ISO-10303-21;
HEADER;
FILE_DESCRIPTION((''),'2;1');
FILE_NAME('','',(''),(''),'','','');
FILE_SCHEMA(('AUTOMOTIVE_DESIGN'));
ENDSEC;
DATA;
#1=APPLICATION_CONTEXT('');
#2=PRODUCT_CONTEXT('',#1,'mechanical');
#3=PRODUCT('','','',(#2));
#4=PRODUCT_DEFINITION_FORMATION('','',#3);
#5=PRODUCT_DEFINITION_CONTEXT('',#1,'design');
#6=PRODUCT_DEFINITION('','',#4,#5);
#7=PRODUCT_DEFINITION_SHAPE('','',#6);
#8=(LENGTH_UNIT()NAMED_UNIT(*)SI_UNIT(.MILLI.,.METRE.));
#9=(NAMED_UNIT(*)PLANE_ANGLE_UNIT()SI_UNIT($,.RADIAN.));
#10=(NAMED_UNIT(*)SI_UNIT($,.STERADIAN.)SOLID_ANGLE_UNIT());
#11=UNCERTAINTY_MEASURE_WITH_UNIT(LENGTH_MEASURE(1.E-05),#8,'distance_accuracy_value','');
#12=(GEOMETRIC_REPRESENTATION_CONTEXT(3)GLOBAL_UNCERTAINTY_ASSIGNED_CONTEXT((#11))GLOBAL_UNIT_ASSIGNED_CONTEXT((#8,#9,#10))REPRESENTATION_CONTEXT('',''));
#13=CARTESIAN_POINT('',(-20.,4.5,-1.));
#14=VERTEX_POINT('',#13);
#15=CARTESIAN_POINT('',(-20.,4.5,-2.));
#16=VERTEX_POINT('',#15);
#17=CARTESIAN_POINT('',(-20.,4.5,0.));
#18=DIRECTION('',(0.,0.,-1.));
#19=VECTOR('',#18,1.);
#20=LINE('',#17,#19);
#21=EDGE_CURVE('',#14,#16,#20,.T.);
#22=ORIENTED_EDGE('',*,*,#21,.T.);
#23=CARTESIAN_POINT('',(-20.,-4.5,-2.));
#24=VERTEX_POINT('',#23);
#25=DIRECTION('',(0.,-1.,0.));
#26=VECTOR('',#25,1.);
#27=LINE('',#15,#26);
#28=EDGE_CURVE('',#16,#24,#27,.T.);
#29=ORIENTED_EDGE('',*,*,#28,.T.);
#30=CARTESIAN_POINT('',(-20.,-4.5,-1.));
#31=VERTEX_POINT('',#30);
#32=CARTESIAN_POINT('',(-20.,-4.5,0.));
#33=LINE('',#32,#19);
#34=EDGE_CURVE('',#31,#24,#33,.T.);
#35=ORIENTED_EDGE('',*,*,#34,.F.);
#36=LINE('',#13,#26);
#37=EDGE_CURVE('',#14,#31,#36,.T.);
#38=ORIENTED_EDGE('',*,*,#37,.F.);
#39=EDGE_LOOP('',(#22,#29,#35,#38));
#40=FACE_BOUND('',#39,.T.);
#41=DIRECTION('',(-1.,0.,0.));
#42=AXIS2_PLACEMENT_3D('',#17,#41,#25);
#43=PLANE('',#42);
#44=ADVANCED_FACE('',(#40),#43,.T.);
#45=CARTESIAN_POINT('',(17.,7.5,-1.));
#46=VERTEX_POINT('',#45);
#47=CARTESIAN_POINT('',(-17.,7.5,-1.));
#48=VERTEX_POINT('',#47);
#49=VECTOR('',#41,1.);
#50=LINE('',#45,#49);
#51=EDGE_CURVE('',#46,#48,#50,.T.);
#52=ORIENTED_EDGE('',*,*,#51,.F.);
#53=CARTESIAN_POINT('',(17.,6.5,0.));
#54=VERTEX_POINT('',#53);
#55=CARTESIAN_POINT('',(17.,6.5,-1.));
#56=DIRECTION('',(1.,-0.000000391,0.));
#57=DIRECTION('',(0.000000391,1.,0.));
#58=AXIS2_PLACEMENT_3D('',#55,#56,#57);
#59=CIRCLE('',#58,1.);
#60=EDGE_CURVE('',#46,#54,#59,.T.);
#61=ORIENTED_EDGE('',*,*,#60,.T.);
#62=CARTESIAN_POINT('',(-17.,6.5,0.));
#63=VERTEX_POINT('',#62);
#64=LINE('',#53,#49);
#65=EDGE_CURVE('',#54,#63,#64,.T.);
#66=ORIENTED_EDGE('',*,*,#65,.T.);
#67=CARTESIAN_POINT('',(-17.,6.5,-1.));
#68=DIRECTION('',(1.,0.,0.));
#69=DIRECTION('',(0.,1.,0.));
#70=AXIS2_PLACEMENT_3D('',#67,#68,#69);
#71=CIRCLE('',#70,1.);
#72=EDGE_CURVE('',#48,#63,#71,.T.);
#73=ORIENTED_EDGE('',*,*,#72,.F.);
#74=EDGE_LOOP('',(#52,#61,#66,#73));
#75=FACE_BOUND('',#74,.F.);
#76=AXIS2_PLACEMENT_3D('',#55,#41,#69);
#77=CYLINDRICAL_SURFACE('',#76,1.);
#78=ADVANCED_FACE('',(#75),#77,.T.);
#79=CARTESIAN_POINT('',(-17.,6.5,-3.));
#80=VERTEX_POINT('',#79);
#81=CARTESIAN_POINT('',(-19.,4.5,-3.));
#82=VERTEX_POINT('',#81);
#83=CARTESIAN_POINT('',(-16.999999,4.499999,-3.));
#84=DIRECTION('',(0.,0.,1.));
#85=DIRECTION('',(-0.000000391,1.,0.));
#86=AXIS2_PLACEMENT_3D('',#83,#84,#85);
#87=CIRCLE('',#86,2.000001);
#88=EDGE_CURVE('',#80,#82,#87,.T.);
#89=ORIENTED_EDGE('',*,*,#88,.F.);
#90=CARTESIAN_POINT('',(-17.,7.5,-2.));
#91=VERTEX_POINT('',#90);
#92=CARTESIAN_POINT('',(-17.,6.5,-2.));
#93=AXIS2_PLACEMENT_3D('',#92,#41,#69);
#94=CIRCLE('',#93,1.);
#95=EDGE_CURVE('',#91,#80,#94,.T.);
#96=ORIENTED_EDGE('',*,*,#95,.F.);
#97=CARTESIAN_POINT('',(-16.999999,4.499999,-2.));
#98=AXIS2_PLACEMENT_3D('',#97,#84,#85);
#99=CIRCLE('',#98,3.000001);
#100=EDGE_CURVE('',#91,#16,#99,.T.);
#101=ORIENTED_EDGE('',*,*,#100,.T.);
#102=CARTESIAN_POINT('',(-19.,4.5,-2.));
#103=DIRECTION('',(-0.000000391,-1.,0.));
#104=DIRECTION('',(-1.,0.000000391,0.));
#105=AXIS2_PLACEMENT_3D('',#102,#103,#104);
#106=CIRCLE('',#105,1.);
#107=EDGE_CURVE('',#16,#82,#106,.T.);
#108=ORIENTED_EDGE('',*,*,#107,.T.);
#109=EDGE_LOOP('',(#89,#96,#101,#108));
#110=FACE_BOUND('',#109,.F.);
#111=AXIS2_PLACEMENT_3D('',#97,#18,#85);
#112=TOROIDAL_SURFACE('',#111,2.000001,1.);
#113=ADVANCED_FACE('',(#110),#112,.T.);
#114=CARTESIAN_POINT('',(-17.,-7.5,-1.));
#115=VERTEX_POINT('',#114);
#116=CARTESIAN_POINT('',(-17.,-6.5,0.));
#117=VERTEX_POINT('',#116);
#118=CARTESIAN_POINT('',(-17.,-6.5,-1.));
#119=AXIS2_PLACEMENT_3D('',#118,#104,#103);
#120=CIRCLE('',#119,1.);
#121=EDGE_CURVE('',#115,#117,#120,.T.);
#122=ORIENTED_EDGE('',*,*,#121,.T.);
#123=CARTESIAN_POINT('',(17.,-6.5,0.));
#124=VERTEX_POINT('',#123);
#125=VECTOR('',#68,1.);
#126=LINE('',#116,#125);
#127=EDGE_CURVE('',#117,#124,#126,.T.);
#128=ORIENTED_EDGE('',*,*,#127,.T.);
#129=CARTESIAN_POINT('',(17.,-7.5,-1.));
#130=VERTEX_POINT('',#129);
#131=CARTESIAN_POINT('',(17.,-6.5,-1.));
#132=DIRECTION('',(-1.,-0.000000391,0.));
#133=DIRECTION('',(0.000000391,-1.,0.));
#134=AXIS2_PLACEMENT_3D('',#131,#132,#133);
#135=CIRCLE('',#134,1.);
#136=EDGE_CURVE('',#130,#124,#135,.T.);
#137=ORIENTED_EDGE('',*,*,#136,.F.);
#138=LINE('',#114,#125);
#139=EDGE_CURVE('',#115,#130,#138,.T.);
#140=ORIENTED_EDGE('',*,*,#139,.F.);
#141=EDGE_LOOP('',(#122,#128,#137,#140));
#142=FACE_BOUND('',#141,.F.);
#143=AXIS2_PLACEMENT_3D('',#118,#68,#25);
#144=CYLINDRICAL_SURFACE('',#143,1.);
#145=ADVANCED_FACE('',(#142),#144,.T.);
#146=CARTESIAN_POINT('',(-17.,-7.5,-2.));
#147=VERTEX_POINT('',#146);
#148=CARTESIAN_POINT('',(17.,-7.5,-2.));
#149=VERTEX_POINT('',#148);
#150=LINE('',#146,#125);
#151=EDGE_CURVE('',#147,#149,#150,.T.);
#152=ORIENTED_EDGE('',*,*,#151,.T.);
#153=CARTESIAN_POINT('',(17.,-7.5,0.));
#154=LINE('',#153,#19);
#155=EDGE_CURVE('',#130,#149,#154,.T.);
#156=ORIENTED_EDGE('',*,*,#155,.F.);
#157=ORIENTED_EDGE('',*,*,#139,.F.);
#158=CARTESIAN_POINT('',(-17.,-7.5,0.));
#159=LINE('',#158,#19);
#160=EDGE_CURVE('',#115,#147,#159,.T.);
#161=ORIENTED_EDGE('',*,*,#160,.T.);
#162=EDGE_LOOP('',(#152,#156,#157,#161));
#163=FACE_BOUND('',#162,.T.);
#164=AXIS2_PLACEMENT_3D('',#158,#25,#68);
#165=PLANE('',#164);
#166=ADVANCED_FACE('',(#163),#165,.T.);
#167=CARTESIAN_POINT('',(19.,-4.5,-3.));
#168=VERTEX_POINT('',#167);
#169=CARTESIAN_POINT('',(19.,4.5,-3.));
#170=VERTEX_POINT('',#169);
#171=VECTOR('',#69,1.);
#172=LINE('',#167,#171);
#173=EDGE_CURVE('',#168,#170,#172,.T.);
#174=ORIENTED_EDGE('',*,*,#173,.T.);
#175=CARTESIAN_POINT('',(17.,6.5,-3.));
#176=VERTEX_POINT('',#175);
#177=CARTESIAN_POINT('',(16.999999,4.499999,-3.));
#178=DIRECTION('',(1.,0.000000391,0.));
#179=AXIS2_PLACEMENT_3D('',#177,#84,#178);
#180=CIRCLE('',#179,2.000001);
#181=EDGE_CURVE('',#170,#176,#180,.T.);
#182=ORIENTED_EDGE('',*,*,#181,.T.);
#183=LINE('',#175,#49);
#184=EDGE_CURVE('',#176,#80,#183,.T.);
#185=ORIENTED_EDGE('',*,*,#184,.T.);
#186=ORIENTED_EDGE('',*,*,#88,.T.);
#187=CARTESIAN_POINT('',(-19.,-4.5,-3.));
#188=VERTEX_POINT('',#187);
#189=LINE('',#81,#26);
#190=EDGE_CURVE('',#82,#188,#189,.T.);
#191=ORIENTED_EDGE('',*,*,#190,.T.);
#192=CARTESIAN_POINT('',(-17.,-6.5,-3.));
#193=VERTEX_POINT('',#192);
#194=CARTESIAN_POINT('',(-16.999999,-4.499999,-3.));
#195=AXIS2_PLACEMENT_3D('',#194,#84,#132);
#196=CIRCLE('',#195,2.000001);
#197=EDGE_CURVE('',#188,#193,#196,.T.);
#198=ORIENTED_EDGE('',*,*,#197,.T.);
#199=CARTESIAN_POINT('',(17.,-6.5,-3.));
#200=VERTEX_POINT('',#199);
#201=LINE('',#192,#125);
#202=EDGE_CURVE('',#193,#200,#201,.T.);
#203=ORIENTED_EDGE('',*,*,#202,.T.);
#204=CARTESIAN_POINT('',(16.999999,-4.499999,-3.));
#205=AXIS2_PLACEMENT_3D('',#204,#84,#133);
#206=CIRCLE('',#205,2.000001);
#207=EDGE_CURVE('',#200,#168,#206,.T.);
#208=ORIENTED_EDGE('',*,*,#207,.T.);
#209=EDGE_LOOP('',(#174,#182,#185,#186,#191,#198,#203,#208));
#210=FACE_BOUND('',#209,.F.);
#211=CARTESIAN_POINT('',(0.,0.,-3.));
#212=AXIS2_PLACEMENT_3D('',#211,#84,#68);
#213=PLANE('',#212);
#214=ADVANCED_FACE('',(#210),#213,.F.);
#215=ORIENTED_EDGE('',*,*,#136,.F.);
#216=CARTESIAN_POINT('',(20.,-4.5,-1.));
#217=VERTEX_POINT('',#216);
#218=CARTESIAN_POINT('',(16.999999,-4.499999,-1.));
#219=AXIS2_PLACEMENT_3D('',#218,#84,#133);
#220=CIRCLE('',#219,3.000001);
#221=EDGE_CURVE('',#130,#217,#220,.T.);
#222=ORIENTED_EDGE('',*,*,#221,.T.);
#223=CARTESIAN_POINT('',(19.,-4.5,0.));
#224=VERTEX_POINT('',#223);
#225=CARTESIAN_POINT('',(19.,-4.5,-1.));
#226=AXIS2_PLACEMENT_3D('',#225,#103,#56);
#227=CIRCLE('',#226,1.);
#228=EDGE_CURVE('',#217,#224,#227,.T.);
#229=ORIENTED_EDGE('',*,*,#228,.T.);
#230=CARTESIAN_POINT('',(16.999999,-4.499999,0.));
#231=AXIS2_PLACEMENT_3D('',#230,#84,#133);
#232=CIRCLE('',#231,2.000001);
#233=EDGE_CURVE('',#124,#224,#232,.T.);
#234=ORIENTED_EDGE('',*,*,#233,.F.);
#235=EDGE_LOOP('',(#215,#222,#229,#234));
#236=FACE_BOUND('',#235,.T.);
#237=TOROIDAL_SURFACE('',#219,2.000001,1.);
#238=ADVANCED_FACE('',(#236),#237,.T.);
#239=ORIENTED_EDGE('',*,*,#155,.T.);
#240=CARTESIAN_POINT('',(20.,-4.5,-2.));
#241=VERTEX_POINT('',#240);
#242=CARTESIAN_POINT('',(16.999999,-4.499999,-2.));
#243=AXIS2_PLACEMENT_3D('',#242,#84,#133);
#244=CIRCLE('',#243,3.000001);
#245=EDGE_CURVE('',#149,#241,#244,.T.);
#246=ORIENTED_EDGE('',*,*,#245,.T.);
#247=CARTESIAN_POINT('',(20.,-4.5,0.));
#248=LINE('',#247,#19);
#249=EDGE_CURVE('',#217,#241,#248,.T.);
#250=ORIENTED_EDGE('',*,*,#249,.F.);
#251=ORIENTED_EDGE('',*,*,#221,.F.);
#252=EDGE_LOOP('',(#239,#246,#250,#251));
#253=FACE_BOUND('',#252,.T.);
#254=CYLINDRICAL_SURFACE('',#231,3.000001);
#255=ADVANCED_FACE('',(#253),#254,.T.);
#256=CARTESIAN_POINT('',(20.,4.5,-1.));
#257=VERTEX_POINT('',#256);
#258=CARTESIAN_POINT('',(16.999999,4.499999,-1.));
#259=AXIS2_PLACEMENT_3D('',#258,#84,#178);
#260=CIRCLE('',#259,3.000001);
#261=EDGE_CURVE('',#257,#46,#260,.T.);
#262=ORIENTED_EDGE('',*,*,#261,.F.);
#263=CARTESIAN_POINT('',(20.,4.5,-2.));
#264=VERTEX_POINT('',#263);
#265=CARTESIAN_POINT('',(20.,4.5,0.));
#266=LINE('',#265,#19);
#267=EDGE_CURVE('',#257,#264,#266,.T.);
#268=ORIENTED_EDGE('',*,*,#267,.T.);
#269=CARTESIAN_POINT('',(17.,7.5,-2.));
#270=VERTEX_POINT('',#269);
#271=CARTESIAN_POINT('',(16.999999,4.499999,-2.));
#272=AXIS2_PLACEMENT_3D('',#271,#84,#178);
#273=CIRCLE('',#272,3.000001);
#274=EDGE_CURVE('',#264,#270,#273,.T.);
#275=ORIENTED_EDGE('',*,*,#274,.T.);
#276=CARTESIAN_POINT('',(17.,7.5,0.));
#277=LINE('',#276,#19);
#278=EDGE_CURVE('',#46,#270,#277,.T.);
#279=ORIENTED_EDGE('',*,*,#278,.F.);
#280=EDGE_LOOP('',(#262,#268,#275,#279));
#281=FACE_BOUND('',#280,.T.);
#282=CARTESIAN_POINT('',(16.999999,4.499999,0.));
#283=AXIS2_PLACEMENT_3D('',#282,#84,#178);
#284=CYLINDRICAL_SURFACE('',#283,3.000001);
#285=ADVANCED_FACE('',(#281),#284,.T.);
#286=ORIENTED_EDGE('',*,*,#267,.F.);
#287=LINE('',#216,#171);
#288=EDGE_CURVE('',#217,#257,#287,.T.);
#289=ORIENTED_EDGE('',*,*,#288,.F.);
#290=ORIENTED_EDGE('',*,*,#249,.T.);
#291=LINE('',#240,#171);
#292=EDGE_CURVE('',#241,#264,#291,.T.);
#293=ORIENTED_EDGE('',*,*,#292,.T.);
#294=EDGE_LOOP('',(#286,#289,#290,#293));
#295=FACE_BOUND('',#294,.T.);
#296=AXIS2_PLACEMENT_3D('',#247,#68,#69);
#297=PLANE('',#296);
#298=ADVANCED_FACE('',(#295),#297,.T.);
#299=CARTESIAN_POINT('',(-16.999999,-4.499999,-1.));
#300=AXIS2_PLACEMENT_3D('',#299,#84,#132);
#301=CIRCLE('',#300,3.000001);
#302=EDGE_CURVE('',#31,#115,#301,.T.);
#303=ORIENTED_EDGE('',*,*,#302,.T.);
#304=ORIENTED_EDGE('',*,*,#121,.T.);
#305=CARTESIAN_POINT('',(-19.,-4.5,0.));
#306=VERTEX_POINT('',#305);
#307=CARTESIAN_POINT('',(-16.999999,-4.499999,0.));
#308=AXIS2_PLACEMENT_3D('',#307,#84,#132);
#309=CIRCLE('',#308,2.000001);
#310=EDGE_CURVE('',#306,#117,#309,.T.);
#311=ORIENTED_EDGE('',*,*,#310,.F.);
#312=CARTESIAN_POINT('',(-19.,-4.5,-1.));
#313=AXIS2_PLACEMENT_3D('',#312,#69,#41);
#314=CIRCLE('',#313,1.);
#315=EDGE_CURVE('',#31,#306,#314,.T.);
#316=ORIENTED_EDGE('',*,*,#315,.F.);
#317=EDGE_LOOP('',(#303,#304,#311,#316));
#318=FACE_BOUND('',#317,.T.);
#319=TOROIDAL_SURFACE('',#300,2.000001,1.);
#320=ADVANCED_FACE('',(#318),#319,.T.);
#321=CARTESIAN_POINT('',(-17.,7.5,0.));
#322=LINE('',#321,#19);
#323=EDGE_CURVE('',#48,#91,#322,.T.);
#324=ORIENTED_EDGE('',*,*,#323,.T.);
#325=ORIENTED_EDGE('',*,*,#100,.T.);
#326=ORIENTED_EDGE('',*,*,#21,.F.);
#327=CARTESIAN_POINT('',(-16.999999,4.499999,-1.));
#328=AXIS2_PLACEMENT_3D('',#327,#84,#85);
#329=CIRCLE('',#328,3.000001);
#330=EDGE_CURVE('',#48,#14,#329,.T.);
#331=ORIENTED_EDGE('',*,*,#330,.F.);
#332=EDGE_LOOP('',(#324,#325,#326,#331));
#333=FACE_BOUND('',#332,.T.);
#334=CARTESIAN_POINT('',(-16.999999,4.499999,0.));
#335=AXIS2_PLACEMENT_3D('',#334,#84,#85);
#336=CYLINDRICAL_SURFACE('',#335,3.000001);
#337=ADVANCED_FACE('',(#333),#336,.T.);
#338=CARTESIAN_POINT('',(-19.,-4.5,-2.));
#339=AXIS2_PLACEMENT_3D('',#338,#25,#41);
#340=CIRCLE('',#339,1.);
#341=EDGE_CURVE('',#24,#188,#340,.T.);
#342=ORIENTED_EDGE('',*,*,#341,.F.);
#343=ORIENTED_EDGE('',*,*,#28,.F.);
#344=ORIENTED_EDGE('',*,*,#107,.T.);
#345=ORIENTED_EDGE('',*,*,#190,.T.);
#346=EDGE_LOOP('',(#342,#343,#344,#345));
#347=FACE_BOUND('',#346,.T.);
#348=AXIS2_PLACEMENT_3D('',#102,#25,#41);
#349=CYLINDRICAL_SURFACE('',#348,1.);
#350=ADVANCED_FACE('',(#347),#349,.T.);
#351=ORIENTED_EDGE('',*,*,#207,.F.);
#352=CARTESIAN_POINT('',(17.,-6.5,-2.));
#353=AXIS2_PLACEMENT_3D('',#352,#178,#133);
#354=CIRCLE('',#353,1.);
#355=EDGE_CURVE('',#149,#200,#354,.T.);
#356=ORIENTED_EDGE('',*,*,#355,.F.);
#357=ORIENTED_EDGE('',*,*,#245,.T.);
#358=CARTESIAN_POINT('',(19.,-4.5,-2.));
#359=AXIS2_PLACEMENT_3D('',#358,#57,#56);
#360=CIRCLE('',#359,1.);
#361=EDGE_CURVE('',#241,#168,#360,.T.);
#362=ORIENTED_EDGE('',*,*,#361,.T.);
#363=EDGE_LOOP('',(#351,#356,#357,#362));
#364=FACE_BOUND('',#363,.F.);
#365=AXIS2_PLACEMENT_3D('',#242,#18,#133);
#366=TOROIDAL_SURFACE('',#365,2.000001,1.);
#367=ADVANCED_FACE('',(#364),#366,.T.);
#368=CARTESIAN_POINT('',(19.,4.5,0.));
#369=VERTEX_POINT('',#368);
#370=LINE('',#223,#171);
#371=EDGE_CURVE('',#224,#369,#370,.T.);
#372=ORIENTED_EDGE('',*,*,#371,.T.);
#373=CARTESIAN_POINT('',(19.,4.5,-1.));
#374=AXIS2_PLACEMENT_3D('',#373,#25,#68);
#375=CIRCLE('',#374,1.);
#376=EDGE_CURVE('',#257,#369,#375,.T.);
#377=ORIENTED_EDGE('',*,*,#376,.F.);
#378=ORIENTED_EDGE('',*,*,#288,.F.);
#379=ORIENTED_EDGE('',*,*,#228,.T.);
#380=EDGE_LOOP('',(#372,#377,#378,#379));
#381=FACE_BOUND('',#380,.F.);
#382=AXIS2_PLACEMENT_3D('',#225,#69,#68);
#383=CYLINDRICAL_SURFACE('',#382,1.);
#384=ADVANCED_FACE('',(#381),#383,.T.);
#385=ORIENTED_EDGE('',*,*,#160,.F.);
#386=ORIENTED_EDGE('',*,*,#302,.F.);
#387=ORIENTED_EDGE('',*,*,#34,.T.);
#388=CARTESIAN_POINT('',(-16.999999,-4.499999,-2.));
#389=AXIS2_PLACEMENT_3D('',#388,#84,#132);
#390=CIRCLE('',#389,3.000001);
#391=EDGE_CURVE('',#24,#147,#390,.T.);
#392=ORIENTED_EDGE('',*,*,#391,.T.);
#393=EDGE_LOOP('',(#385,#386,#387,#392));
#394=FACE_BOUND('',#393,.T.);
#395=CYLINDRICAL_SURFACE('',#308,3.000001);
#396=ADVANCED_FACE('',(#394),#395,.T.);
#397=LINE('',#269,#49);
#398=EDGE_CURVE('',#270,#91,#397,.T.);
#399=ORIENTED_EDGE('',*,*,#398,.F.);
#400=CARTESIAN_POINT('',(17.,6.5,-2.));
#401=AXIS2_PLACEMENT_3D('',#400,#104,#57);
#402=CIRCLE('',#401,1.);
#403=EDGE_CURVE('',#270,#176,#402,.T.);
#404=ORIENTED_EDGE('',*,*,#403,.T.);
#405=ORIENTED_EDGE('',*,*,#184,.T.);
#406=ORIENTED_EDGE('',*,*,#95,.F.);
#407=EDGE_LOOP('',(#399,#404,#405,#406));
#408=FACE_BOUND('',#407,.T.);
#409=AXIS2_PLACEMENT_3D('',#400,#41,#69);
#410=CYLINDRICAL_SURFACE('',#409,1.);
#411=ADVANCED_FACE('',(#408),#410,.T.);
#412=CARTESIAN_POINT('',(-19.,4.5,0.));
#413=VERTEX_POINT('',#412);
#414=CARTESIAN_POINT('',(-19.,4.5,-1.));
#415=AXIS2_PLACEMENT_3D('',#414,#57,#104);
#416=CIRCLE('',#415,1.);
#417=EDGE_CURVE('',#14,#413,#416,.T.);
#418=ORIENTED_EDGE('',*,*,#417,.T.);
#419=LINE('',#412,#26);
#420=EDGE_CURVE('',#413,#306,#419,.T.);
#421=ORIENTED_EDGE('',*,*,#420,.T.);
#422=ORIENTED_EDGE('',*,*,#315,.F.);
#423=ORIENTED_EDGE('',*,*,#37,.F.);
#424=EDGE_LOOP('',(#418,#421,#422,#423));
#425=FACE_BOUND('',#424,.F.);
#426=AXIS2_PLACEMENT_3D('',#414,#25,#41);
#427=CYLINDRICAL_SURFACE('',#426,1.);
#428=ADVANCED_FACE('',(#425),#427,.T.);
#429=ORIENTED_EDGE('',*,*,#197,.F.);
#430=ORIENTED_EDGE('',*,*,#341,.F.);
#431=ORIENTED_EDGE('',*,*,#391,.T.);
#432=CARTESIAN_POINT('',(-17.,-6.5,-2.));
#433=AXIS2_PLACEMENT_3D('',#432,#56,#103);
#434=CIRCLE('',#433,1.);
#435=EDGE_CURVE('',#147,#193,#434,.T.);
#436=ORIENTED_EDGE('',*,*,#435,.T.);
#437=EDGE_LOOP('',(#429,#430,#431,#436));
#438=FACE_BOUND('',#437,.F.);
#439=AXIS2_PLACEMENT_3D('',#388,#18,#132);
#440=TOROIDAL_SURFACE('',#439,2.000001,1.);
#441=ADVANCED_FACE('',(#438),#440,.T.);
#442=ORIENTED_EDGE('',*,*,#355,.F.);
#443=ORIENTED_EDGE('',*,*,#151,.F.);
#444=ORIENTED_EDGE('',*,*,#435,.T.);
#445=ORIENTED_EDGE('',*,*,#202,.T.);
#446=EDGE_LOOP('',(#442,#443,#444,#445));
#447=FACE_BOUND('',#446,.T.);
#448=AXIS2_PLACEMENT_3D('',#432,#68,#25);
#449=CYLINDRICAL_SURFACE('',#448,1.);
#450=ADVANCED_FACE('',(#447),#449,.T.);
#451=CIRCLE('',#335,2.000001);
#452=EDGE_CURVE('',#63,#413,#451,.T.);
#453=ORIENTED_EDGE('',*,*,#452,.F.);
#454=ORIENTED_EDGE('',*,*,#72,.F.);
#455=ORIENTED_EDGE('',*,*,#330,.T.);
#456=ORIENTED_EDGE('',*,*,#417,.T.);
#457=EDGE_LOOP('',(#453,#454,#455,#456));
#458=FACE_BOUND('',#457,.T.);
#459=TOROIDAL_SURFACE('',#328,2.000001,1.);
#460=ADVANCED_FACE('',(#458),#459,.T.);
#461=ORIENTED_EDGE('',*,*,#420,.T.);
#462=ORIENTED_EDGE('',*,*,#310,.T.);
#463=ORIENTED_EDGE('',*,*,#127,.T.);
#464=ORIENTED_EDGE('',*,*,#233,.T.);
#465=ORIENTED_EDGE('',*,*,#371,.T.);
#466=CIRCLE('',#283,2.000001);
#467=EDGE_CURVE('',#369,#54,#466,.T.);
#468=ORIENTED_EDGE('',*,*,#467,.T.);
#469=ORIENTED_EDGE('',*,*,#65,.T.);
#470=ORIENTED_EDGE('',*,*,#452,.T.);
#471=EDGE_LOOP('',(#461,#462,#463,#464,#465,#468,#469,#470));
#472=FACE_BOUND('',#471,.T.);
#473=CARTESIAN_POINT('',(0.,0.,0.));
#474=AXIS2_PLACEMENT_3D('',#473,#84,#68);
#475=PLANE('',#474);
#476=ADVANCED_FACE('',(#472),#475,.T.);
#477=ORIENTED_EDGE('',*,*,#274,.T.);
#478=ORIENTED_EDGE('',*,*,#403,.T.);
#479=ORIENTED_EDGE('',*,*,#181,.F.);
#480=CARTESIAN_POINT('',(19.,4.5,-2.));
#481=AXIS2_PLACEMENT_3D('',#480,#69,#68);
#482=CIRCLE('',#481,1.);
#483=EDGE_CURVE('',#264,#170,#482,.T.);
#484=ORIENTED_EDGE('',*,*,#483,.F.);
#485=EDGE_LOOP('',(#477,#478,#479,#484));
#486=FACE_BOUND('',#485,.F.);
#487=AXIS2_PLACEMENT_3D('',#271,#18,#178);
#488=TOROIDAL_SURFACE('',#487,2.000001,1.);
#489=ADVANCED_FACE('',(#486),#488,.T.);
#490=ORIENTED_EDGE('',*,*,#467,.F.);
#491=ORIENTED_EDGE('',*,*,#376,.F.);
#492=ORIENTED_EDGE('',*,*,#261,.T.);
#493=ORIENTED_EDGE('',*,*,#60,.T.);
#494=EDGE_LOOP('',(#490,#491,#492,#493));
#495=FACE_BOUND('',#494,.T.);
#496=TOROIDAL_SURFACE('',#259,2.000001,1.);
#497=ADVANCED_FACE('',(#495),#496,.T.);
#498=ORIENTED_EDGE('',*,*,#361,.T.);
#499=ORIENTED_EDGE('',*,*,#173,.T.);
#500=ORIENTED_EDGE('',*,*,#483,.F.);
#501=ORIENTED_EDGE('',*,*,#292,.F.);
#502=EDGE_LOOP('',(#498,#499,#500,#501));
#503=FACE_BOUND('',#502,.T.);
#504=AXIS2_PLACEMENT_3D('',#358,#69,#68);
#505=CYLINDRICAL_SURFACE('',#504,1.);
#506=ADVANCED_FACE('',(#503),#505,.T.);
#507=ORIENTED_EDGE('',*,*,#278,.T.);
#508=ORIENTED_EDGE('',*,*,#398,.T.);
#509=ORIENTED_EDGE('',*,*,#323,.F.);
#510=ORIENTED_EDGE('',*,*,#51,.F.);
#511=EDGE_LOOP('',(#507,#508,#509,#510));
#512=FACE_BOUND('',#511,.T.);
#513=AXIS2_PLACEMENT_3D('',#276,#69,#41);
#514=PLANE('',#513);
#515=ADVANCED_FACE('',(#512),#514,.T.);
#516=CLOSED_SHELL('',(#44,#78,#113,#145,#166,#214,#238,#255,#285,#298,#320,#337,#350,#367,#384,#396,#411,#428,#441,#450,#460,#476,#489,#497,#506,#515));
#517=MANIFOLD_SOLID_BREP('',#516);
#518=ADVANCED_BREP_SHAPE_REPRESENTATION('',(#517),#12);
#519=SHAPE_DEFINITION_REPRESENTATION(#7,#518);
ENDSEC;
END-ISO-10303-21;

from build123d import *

# Parameters (mm, degrees)
F1_DEPTH = 3
F2_R     = 1


with BuildPart() as f1:
    # F0 (on Top) → F1 (new body)
    with BuildSketch(Plane.XY):
        with BuildLine():
            ThreePointArc((20, 4.5), (19.12132, 6.62132), (17, 7.5))
            Line((17, 7.5), (-17, 7.5))
            ThreePointArc((-17, 7.5), (-19.12132, 6.62132), (-20, 4.5))
            Line((-20, 4.5), (-20, -4.5))
            ThreePointArc((-20, -4.5), (-19.12132, -6.62132), (-17, -7.5))
            Line((-17, -7.5), (17, -7.5))
            ThreePointArc((17, -7.5), (19.12132, -6.62132), (20, -4.5))
            Line((20, -4.5), (20, 4.5))
        make_face()
    extrude(amount=-F1_DEPTH)

    # F2
    f2_edges = [f1.edges().sort_by_distance(p)[0] for p in [
        (19.12132, -6.62132, 0),
        (20, 0, 0),
        (19.12132, 6.62132, 0),
        (0, 7.5, 0),
        (-19.12132, 6.62132, 0),
        (-20, 0, 0),
        (-19.12132, -6.62132, 0),
        (0, -7.5, 0),
        (19.12132, -6.62132, -3),
        (20, 0, -3),
        (19.12132, 6.62132, -3),
        (0, 7.5, -3),
        (-19.12132, 6.62132, -3),
        (-20, 0, -3),
        (-19.12132, -6.62132, -3),
        (0, -7.5, -3),
    ]]
    fillet(f2_edges, radius=F2_R)


solid = f1.part
